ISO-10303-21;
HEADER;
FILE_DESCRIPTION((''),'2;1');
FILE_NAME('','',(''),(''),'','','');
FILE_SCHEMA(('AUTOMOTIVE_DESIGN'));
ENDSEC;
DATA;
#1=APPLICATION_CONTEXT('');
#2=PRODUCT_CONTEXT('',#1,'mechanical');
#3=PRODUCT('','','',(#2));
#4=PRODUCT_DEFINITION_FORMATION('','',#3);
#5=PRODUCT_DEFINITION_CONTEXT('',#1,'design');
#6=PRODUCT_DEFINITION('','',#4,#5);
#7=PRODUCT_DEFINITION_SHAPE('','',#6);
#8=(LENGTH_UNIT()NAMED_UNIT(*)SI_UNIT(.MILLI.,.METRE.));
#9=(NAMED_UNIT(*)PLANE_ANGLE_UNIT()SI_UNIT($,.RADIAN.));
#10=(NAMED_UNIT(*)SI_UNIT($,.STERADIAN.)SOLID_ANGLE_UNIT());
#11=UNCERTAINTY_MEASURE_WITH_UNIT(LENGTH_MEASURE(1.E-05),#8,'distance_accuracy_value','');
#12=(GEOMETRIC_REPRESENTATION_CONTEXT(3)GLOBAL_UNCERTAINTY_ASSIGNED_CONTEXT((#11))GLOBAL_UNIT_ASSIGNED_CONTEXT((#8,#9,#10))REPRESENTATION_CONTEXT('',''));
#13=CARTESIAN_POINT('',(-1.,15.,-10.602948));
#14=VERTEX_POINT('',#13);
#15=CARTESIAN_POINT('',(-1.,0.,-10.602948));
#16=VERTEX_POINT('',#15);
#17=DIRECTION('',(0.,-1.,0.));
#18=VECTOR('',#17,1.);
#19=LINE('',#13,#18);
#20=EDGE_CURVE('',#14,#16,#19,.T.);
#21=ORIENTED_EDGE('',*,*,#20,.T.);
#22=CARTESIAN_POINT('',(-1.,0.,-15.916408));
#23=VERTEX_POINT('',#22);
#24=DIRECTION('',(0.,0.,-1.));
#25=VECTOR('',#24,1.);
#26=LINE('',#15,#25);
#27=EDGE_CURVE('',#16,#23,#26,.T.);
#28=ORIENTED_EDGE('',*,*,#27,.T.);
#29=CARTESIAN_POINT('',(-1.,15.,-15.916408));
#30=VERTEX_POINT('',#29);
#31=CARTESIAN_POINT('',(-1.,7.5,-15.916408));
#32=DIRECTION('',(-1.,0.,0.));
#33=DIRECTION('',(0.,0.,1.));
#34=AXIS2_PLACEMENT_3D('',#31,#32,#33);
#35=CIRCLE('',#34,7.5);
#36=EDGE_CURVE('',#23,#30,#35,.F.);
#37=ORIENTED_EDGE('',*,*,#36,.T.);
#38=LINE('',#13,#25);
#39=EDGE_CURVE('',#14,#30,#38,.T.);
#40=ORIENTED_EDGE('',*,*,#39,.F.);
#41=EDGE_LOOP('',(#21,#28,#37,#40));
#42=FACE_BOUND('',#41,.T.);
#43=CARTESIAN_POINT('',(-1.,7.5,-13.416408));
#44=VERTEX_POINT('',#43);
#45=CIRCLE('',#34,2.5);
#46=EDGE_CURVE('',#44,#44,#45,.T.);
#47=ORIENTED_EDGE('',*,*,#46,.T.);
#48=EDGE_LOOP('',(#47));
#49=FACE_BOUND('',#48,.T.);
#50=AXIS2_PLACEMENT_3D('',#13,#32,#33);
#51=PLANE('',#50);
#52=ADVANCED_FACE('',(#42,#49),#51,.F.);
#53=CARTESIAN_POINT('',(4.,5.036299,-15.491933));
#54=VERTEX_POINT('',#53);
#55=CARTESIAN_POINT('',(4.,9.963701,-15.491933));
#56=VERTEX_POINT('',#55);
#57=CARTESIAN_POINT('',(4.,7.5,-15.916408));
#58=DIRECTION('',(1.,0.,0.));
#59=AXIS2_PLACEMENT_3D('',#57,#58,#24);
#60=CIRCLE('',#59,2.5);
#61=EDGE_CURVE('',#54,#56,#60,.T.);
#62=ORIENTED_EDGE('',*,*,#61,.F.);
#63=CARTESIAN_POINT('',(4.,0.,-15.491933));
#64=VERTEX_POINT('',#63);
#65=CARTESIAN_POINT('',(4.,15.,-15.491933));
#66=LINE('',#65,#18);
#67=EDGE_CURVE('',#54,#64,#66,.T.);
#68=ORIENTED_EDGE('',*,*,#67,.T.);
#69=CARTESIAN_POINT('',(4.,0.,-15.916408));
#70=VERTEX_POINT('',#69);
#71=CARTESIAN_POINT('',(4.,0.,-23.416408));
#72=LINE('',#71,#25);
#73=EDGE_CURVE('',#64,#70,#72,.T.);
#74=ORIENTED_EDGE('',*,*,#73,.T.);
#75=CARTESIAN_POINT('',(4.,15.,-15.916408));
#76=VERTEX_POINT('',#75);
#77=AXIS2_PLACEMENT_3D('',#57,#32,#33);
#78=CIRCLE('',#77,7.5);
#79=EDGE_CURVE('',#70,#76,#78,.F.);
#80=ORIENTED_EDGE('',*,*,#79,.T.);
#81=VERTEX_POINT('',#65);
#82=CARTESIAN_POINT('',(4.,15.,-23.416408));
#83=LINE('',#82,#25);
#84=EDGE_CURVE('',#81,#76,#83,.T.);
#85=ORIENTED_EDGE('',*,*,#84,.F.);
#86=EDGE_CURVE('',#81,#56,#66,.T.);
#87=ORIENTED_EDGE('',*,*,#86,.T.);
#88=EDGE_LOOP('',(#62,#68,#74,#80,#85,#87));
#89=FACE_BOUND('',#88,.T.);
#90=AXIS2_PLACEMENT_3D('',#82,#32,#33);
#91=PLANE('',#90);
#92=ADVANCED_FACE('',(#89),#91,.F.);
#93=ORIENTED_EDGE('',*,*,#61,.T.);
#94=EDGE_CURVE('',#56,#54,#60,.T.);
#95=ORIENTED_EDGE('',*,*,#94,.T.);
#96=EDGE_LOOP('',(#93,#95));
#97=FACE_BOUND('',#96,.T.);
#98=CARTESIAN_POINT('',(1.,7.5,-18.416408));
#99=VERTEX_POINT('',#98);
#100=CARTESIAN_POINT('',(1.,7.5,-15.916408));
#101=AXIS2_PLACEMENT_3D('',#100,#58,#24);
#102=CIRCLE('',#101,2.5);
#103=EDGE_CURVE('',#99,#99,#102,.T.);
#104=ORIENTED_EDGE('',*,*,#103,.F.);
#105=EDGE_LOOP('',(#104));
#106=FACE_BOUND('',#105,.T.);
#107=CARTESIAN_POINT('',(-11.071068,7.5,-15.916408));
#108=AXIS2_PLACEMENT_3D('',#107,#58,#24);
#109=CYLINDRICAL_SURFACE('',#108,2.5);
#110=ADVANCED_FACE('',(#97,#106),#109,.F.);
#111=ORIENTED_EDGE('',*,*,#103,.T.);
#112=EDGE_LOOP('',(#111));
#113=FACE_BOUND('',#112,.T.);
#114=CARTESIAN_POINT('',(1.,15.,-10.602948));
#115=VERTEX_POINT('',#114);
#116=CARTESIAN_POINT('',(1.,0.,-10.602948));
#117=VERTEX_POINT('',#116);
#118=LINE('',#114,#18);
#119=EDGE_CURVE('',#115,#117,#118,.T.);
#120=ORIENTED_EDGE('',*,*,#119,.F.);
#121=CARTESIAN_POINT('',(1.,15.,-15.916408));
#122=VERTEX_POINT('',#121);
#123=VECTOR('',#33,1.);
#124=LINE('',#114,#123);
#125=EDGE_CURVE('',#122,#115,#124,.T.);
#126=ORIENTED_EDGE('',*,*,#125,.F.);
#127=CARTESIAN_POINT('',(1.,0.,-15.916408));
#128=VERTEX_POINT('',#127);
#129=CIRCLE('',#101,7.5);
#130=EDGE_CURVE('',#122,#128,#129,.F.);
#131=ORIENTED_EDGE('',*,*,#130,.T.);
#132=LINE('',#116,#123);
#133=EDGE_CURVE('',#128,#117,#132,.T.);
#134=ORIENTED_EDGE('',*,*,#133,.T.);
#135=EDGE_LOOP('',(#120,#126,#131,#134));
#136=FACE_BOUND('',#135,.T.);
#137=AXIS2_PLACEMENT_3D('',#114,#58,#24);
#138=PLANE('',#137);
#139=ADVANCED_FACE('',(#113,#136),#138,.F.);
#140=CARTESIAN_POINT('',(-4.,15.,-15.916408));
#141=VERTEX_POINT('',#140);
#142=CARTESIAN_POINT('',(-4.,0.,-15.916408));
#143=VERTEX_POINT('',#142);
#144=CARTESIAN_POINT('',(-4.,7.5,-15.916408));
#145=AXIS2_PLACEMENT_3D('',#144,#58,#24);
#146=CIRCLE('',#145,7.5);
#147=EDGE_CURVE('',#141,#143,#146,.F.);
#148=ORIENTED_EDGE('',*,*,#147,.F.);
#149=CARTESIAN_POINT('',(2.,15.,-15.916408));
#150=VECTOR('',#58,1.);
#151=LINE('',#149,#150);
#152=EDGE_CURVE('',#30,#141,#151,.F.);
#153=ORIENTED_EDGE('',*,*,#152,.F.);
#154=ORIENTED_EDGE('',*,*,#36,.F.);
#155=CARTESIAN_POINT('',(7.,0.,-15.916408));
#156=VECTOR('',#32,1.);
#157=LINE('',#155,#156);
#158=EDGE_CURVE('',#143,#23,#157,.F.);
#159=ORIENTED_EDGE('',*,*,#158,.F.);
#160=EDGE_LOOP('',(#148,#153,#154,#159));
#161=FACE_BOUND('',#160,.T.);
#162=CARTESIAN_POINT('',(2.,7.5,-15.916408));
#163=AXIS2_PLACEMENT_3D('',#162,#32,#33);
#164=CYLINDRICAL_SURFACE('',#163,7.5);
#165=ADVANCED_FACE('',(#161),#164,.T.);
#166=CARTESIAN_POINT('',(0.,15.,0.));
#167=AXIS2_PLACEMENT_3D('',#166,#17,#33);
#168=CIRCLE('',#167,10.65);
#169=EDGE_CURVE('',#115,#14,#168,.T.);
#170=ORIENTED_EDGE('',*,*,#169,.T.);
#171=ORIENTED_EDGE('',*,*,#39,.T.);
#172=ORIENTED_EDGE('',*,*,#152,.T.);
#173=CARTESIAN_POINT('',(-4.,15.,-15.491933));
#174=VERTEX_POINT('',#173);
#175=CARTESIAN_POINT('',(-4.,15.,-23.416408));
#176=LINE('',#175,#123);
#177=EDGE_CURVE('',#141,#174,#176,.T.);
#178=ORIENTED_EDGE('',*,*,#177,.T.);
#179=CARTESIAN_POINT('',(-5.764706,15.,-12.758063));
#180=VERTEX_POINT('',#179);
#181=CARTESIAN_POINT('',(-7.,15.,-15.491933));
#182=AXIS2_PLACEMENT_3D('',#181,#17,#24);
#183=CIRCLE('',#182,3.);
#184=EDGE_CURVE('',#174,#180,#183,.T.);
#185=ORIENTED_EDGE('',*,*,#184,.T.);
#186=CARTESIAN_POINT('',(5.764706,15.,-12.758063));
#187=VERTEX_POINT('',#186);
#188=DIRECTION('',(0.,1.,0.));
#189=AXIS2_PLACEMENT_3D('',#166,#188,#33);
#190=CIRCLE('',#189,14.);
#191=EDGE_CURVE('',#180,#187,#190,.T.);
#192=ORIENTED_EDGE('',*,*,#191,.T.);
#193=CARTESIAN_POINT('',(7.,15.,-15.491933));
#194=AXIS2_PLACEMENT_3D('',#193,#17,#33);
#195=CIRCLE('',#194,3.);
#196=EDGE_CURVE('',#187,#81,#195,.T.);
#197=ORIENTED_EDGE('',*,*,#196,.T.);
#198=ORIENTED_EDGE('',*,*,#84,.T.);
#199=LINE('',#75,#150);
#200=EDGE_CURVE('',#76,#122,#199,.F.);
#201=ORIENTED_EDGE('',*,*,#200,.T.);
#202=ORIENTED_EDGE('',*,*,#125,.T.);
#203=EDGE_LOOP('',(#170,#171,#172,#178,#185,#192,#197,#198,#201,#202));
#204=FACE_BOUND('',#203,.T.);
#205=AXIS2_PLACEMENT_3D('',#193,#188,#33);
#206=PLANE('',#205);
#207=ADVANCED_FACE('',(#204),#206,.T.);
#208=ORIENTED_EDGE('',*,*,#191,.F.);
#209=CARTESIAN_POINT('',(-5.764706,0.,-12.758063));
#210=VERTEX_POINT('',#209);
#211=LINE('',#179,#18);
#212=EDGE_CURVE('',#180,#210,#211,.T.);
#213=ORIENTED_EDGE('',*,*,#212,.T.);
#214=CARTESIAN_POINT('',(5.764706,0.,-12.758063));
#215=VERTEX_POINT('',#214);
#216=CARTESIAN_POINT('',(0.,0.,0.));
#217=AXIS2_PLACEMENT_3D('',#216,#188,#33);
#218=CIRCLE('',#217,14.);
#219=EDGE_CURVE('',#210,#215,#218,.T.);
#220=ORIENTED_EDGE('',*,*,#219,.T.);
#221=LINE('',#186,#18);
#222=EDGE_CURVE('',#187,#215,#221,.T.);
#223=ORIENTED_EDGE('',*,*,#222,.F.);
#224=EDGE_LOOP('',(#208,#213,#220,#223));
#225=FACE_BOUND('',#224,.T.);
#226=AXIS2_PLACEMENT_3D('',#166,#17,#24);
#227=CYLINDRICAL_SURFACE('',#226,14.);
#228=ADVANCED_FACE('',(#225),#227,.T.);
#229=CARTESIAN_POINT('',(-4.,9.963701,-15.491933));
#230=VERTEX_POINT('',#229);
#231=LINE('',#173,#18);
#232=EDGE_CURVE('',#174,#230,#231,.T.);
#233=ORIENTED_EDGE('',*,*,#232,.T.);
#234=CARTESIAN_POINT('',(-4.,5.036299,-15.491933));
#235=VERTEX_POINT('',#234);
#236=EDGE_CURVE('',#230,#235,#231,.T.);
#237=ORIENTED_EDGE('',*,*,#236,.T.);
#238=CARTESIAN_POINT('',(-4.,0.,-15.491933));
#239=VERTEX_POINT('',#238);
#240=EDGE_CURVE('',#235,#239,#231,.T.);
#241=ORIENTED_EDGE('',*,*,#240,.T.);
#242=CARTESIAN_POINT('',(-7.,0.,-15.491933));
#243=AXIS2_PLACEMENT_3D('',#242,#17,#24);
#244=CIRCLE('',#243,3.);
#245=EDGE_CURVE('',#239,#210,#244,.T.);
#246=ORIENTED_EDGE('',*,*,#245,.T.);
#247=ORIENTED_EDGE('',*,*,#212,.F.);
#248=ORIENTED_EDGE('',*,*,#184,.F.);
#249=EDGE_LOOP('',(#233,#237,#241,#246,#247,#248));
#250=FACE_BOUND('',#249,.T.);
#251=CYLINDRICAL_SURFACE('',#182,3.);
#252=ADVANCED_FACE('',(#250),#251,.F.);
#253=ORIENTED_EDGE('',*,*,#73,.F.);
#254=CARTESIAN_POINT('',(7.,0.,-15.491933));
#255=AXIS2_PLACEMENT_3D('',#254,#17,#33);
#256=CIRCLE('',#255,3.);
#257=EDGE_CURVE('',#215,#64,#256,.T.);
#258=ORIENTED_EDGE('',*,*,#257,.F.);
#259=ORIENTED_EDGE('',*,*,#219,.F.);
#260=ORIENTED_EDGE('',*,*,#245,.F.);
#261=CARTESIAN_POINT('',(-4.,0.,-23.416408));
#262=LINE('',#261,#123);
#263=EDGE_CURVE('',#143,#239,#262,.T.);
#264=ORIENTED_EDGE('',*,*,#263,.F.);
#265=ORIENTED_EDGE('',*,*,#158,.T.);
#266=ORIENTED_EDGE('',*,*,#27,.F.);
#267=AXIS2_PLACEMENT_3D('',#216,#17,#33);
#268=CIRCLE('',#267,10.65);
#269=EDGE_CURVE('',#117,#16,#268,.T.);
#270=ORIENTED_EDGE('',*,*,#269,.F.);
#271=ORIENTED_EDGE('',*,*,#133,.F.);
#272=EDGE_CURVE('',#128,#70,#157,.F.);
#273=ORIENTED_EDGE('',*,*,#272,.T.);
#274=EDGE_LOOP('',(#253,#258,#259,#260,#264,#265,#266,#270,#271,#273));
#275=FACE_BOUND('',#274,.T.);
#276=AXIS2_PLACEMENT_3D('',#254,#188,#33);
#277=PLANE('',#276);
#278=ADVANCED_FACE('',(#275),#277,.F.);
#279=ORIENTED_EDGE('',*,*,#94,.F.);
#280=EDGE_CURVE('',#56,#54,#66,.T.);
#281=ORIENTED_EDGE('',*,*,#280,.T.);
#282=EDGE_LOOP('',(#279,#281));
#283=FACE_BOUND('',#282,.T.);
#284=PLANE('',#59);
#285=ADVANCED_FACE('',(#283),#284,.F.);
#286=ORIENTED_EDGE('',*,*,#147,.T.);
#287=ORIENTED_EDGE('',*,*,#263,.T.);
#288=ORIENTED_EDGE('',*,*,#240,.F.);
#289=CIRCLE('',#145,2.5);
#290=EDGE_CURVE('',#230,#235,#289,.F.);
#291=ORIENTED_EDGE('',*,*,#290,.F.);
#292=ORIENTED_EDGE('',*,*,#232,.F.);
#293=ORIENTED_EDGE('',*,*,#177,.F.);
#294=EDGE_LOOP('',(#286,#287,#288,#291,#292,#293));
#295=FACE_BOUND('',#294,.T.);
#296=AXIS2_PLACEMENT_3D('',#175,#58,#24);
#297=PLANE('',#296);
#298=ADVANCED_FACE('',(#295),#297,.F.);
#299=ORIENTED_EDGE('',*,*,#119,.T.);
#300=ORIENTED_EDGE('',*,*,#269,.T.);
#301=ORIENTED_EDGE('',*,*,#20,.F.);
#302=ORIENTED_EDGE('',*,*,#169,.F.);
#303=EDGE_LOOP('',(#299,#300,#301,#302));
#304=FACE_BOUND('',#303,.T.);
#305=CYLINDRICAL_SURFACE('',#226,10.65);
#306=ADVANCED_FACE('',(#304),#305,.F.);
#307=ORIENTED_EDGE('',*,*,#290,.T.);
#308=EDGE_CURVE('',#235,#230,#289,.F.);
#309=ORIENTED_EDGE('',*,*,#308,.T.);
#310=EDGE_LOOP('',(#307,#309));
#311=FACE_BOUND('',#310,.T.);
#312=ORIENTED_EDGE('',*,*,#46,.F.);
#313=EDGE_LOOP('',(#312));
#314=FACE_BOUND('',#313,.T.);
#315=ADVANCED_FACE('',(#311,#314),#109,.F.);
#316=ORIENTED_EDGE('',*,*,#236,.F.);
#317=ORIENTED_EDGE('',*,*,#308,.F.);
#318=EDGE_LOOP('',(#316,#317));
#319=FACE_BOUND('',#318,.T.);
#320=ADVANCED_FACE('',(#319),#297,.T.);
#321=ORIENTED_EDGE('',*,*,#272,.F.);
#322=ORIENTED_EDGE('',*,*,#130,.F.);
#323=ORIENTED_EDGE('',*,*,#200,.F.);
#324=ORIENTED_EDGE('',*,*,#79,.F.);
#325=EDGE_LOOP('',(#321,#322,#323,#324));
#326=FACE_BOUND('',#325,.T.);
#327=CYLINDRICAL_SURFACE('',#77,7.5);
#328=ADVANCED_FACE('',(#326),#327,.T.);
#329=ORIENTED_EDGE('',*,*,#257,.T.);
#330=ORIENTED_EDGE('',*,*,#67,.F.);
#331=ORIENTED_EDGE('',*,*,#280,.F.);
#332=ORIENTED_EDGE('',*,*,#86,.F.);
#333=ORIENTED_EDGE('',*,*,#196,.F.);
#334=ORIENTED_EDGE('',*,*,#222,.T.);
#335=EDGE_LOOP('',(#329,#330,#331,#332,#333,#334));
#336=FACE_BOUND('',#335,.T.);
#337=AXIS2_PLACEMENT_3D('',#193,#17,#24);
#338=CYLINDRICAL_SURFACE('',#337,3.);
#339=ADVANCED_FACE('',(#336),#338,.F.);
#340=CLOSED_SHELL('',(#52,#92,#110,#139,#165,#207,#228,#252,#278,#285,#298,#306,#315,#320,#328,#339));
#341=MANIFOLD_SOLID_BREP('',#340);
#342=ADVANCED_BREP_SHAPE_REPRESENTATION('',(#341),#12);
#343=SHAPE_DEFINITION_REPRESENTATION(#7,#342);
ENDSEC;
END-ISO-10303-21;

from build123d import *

# Parameters (mm, degrees)
BOSS_EXTRUDE1_DEPTH = 15
FILLET1_RADIUS      = 7.5
FILLET1_LENGTH      = 3
FILLET2_RADIUS      = 7.5
FILLET2_LENGTH      = 3
CUT_EXTRUDE1_REACH  = 35.126
SKETCH2_R           = 2.5


with BuildPart() as part:
    # Sketch1 → Boss-Extrude1 (new body)
    with BuildSketch(Plane(origin=(0, 0, 0), x_dir=(1, 0, 0), z_dir=(0, 1, 0))):
        with BuildLine():
            Line((1, 10.602947703), (1, 23.416407865))
            Line((1, 23.416407865), (4, 23.416407865))
            Line((4, 23.416407865), (4, 15.491933385))
            ThreePointArc((4, 15.491933385), (4.479495849, 13.864954951), (5.764705882, 12.758062788))
            ThreePointArc((5.764705882, 12.758062788), (0, -14), (-5.764705882, 12.758062788))
            ThreePointArc((-5.764705882, 12.758062788), (-4.479495849, 13.864954951), (-4, 15.491933385))
            Line((-4, 15.491933385), (-4, 23.416407865))
            Line((-4, 23.416407865), (-1, 23.416407865))
            Line((-1, 23.416407865), (-1, 10.602947703))
            ThreePointArc((-1, 10.602947703), (0, -10.65), (1, 10.602947703))
        make_face()
    extrude(amount=BOSS_EXTRUDE1_DEPTH)

    # Fillet1: full round fillet: the end face becomes a half cylinder, R = half its width
    fillet1_face = Plane((-2.5, 7.5, -23.416407865), x_dir=(-1, 0, 0), z_dir=(0, 0, -1))  # on the end face: x along it, z out of the body
    fillet1_slab = fillet1_face.offset(-FILLET1_RADIUS / 2) * Box(FILLET1_LENGTH, 2 * FILLET1_RADIUS, FILLET1_RADIUS, mode=Mode.PRIVATE)  # the body's end, R deep
    fillet1_round = Plane((-2.5, 7.5, -15.916407865), x_dir=(0, 0, -1), z_dir=(-1, 0, 0)) * Cylinder(FILLET1_RADIUS, FILLET1_LENGTH, mode=Mode.PRIVATE)  # its axis R under the face
    add(fillet1_slab - fillet1_round, mode=Mode.SUBTRACT)

    # Fillet2: full round fillet: the end face becomes a half cylinder, R = half its width
    fillet2_face = Plane((2.5, 7.5, -23.416407865), x_dir=(1, 0, 0), z_dir=(0, 0, -1))  # on the end face: x along it, z out of the body
    fillet2_slab = fillet2_face.offset(-FILLET2_RADIUS / 2) * Box(FILLET2_LENGTH, 2 * FILLET2_RADIUS, FILLET2_RADIUS, mode=Mode.PRIVATE)  # the body's end, R deep
    fillet2_round = Plane((2.5, 7.5, -15.916407865), x_dir=(0, 0, -1), z_dir=(1, 0, 0)) * Cylinder(FILLET2_RADIUS, FILLET2_LENGTH, mode=Mode.PRIVATE)  # its axis R under the face
    add(fillet2_slab - fillet2_round, mode=Mode.SUBTRACT)

    # Cut-Extrude1: up to this face of the body (flat: up to its plane)
    cut_extrude1_end = Plane(part.part.faces().sort_by_distance((-4, 7.5, -18.87128147))[0])
    # Sketch2 → Cut-Extrude1 (cut, up to the picked face)
    with BuildSketch(Plane(origin=(4, 0, 0), x_dir=(0, 0, -1), z_dir=(1, 0, 0)), mode=Mode.PRIVATE) as cut_extrude1_sk1:
        with Locations(Location((15.916407865, 7.5, 0), (0, 0, 99.775597353))):
            Circle(SKETCH2_R)
    cut_extrude1_tool1 = split(extrude(cut_extrude1_sk1.sketch, amount=-CUT_EXTRUDE1_REACH, mode=Mode.PRIVATE), bisect_by=cut_extrude1_end, keep=Keep.BOTH, mode=Mode.PRIVATE)
    add(cut_extrude1_tool1.solids().sort_by(Axis((4, 7.5, -15.916408), (-1, 0, 0)))[0], mode=Mode.SUBTRACT)


solid = part.part
